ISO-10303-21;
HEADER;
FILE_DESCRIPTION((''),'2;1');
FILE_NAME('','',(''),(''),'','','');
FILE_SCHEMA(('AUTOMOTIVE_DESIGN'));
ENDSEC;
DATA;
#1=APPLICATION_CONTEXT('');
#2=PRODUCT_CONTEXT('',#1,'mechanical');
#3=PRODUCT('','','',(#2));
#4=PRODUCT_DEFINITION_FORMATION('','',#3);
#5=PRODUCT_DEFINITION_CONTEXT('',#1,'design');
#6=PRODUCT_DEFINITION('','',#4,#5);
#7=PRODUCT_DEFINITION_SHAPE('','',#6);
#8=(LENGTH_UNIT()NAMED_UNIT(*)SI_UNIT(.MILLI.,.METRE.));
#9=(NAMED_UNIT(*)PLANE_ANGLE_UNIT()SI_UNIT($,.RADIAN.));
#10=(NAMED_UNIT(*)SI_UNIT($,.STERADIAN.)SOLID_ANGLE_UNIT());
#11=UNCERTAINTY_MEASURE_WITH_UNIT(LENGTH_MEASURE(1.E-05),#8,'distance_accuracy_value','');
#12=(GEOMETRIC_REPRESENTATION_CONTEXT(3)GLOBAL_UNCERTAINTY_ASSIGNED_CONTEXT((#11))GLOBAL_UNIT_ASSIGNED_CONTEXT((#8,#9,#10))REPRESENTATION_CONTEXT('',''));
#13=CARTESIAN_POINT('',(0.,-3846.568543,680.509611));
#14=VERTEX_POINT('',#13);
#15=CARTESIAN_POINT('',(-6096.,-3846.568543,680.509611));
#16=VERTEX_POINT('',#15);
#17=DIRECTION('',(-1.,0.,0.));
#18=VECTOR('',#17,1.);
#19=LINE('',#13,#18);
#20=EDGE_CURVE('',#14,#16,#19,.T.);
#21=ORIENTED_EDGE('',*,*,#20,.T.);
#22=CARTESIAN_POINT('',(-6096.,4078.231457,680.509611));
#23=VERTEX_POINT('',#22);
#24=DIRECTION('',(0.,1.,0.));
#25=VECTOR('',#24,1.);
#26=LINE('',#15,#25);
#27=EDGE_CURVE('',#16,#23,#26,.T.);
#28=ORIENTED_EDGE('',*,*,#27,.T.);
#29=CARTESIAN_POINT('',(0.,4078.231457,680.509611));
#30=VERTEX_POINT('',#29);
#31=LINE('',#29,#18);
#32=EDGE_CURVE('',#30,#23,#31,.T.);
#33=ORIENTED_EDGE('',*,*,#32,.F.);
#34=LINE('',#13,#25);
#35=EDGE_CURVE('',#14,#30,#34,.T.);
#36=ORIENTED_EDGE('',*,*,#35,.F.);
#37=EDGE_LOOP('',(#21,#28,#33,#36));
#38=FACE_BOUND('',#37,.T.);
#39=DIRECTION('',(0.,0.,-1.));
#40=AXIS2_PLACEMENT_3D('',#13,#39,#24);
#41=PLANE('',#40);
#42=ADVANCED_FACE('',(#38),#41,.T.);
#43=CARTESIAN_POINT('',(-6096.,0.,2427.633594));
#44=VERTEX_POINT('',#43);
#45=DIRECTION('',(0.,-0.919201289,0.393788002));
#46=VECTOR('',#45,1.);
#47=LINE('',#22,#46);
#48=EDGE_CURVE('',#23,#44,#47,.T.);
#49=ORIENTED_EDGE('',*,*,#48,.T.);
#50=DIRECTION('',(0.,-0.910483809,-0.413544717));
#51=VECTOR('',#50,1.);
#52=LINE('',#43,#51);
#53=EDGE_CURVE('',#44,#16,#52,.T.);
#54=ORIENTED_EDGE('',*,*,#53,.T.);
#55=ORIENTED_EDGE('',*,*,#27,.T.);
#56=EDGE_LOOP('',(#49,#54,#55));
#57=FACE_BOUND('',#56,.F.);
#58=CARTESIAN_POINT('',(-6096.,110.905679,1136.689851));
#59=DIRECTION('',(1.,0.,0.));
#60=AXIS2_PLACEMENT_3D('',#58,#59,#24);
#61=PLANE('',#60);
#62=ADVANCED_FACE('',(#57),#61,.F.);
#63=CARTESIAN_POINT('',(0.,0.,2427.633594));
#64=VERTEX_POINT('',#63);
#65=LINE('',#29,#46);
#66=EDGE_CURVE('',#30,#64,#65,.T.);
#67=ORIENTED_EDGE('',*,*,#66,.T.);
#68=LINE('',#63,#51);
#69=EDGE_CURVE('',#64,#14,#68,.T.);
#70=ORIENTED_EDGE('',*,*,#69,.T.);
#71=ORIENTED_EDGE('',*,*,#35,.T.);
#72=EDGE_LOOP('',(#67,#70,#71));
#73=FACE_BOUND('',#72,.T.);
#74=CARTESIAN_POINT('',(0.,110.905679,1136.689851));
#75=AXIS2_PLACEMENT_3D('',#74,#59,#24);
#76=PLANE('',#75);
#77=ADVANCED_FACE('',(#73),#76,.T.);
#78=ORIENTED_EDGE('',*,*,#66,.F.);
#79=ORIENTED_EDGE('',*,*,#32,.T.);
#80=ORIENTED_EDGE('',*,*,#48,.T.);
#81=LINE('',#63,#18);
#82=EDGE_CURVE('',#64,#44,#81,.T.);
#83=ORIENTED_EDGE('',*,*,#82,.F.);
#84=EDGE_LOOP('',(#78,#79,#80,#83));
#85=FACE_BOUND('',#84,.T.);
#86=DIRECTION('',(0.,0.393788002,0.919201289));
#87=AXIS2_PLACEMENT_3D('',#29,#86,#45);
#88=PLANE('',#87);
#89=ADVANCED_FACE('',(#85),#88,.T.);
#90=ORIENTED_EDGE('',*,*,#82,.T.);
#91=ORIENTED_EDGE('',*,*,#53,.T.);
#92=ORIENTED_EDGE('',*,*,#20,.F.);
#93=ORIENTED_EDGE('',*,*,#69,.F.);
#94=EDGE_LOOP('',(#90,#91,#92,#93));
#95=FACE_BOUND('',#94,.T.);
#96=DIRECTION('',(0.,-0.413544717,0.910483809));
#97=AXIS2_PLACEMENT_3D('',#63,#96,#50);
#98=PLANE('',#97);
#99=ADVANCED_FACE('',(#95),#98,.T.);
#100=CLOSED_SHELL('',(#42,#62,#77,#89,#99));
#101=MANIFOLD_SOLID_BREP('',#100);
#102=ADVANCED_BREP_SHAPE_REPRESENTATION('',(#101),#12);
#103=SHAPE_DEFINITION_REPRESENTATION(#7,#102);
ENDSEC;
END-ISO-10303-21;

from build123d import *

# Parameters (mm, degrees)
F1_DEPTH = 6096


with BuildPart() as f1:
    # F0 (on Right) → F1 (new body)
    with BuildSketch(Plane.YZ):
        Polygon((0, 2427.633594), (-3846.568543, 680.509611), (4078.231457, 680.509611), align=None)
    extrude(amount=-F1_DEPTH)


solid = f1.part
